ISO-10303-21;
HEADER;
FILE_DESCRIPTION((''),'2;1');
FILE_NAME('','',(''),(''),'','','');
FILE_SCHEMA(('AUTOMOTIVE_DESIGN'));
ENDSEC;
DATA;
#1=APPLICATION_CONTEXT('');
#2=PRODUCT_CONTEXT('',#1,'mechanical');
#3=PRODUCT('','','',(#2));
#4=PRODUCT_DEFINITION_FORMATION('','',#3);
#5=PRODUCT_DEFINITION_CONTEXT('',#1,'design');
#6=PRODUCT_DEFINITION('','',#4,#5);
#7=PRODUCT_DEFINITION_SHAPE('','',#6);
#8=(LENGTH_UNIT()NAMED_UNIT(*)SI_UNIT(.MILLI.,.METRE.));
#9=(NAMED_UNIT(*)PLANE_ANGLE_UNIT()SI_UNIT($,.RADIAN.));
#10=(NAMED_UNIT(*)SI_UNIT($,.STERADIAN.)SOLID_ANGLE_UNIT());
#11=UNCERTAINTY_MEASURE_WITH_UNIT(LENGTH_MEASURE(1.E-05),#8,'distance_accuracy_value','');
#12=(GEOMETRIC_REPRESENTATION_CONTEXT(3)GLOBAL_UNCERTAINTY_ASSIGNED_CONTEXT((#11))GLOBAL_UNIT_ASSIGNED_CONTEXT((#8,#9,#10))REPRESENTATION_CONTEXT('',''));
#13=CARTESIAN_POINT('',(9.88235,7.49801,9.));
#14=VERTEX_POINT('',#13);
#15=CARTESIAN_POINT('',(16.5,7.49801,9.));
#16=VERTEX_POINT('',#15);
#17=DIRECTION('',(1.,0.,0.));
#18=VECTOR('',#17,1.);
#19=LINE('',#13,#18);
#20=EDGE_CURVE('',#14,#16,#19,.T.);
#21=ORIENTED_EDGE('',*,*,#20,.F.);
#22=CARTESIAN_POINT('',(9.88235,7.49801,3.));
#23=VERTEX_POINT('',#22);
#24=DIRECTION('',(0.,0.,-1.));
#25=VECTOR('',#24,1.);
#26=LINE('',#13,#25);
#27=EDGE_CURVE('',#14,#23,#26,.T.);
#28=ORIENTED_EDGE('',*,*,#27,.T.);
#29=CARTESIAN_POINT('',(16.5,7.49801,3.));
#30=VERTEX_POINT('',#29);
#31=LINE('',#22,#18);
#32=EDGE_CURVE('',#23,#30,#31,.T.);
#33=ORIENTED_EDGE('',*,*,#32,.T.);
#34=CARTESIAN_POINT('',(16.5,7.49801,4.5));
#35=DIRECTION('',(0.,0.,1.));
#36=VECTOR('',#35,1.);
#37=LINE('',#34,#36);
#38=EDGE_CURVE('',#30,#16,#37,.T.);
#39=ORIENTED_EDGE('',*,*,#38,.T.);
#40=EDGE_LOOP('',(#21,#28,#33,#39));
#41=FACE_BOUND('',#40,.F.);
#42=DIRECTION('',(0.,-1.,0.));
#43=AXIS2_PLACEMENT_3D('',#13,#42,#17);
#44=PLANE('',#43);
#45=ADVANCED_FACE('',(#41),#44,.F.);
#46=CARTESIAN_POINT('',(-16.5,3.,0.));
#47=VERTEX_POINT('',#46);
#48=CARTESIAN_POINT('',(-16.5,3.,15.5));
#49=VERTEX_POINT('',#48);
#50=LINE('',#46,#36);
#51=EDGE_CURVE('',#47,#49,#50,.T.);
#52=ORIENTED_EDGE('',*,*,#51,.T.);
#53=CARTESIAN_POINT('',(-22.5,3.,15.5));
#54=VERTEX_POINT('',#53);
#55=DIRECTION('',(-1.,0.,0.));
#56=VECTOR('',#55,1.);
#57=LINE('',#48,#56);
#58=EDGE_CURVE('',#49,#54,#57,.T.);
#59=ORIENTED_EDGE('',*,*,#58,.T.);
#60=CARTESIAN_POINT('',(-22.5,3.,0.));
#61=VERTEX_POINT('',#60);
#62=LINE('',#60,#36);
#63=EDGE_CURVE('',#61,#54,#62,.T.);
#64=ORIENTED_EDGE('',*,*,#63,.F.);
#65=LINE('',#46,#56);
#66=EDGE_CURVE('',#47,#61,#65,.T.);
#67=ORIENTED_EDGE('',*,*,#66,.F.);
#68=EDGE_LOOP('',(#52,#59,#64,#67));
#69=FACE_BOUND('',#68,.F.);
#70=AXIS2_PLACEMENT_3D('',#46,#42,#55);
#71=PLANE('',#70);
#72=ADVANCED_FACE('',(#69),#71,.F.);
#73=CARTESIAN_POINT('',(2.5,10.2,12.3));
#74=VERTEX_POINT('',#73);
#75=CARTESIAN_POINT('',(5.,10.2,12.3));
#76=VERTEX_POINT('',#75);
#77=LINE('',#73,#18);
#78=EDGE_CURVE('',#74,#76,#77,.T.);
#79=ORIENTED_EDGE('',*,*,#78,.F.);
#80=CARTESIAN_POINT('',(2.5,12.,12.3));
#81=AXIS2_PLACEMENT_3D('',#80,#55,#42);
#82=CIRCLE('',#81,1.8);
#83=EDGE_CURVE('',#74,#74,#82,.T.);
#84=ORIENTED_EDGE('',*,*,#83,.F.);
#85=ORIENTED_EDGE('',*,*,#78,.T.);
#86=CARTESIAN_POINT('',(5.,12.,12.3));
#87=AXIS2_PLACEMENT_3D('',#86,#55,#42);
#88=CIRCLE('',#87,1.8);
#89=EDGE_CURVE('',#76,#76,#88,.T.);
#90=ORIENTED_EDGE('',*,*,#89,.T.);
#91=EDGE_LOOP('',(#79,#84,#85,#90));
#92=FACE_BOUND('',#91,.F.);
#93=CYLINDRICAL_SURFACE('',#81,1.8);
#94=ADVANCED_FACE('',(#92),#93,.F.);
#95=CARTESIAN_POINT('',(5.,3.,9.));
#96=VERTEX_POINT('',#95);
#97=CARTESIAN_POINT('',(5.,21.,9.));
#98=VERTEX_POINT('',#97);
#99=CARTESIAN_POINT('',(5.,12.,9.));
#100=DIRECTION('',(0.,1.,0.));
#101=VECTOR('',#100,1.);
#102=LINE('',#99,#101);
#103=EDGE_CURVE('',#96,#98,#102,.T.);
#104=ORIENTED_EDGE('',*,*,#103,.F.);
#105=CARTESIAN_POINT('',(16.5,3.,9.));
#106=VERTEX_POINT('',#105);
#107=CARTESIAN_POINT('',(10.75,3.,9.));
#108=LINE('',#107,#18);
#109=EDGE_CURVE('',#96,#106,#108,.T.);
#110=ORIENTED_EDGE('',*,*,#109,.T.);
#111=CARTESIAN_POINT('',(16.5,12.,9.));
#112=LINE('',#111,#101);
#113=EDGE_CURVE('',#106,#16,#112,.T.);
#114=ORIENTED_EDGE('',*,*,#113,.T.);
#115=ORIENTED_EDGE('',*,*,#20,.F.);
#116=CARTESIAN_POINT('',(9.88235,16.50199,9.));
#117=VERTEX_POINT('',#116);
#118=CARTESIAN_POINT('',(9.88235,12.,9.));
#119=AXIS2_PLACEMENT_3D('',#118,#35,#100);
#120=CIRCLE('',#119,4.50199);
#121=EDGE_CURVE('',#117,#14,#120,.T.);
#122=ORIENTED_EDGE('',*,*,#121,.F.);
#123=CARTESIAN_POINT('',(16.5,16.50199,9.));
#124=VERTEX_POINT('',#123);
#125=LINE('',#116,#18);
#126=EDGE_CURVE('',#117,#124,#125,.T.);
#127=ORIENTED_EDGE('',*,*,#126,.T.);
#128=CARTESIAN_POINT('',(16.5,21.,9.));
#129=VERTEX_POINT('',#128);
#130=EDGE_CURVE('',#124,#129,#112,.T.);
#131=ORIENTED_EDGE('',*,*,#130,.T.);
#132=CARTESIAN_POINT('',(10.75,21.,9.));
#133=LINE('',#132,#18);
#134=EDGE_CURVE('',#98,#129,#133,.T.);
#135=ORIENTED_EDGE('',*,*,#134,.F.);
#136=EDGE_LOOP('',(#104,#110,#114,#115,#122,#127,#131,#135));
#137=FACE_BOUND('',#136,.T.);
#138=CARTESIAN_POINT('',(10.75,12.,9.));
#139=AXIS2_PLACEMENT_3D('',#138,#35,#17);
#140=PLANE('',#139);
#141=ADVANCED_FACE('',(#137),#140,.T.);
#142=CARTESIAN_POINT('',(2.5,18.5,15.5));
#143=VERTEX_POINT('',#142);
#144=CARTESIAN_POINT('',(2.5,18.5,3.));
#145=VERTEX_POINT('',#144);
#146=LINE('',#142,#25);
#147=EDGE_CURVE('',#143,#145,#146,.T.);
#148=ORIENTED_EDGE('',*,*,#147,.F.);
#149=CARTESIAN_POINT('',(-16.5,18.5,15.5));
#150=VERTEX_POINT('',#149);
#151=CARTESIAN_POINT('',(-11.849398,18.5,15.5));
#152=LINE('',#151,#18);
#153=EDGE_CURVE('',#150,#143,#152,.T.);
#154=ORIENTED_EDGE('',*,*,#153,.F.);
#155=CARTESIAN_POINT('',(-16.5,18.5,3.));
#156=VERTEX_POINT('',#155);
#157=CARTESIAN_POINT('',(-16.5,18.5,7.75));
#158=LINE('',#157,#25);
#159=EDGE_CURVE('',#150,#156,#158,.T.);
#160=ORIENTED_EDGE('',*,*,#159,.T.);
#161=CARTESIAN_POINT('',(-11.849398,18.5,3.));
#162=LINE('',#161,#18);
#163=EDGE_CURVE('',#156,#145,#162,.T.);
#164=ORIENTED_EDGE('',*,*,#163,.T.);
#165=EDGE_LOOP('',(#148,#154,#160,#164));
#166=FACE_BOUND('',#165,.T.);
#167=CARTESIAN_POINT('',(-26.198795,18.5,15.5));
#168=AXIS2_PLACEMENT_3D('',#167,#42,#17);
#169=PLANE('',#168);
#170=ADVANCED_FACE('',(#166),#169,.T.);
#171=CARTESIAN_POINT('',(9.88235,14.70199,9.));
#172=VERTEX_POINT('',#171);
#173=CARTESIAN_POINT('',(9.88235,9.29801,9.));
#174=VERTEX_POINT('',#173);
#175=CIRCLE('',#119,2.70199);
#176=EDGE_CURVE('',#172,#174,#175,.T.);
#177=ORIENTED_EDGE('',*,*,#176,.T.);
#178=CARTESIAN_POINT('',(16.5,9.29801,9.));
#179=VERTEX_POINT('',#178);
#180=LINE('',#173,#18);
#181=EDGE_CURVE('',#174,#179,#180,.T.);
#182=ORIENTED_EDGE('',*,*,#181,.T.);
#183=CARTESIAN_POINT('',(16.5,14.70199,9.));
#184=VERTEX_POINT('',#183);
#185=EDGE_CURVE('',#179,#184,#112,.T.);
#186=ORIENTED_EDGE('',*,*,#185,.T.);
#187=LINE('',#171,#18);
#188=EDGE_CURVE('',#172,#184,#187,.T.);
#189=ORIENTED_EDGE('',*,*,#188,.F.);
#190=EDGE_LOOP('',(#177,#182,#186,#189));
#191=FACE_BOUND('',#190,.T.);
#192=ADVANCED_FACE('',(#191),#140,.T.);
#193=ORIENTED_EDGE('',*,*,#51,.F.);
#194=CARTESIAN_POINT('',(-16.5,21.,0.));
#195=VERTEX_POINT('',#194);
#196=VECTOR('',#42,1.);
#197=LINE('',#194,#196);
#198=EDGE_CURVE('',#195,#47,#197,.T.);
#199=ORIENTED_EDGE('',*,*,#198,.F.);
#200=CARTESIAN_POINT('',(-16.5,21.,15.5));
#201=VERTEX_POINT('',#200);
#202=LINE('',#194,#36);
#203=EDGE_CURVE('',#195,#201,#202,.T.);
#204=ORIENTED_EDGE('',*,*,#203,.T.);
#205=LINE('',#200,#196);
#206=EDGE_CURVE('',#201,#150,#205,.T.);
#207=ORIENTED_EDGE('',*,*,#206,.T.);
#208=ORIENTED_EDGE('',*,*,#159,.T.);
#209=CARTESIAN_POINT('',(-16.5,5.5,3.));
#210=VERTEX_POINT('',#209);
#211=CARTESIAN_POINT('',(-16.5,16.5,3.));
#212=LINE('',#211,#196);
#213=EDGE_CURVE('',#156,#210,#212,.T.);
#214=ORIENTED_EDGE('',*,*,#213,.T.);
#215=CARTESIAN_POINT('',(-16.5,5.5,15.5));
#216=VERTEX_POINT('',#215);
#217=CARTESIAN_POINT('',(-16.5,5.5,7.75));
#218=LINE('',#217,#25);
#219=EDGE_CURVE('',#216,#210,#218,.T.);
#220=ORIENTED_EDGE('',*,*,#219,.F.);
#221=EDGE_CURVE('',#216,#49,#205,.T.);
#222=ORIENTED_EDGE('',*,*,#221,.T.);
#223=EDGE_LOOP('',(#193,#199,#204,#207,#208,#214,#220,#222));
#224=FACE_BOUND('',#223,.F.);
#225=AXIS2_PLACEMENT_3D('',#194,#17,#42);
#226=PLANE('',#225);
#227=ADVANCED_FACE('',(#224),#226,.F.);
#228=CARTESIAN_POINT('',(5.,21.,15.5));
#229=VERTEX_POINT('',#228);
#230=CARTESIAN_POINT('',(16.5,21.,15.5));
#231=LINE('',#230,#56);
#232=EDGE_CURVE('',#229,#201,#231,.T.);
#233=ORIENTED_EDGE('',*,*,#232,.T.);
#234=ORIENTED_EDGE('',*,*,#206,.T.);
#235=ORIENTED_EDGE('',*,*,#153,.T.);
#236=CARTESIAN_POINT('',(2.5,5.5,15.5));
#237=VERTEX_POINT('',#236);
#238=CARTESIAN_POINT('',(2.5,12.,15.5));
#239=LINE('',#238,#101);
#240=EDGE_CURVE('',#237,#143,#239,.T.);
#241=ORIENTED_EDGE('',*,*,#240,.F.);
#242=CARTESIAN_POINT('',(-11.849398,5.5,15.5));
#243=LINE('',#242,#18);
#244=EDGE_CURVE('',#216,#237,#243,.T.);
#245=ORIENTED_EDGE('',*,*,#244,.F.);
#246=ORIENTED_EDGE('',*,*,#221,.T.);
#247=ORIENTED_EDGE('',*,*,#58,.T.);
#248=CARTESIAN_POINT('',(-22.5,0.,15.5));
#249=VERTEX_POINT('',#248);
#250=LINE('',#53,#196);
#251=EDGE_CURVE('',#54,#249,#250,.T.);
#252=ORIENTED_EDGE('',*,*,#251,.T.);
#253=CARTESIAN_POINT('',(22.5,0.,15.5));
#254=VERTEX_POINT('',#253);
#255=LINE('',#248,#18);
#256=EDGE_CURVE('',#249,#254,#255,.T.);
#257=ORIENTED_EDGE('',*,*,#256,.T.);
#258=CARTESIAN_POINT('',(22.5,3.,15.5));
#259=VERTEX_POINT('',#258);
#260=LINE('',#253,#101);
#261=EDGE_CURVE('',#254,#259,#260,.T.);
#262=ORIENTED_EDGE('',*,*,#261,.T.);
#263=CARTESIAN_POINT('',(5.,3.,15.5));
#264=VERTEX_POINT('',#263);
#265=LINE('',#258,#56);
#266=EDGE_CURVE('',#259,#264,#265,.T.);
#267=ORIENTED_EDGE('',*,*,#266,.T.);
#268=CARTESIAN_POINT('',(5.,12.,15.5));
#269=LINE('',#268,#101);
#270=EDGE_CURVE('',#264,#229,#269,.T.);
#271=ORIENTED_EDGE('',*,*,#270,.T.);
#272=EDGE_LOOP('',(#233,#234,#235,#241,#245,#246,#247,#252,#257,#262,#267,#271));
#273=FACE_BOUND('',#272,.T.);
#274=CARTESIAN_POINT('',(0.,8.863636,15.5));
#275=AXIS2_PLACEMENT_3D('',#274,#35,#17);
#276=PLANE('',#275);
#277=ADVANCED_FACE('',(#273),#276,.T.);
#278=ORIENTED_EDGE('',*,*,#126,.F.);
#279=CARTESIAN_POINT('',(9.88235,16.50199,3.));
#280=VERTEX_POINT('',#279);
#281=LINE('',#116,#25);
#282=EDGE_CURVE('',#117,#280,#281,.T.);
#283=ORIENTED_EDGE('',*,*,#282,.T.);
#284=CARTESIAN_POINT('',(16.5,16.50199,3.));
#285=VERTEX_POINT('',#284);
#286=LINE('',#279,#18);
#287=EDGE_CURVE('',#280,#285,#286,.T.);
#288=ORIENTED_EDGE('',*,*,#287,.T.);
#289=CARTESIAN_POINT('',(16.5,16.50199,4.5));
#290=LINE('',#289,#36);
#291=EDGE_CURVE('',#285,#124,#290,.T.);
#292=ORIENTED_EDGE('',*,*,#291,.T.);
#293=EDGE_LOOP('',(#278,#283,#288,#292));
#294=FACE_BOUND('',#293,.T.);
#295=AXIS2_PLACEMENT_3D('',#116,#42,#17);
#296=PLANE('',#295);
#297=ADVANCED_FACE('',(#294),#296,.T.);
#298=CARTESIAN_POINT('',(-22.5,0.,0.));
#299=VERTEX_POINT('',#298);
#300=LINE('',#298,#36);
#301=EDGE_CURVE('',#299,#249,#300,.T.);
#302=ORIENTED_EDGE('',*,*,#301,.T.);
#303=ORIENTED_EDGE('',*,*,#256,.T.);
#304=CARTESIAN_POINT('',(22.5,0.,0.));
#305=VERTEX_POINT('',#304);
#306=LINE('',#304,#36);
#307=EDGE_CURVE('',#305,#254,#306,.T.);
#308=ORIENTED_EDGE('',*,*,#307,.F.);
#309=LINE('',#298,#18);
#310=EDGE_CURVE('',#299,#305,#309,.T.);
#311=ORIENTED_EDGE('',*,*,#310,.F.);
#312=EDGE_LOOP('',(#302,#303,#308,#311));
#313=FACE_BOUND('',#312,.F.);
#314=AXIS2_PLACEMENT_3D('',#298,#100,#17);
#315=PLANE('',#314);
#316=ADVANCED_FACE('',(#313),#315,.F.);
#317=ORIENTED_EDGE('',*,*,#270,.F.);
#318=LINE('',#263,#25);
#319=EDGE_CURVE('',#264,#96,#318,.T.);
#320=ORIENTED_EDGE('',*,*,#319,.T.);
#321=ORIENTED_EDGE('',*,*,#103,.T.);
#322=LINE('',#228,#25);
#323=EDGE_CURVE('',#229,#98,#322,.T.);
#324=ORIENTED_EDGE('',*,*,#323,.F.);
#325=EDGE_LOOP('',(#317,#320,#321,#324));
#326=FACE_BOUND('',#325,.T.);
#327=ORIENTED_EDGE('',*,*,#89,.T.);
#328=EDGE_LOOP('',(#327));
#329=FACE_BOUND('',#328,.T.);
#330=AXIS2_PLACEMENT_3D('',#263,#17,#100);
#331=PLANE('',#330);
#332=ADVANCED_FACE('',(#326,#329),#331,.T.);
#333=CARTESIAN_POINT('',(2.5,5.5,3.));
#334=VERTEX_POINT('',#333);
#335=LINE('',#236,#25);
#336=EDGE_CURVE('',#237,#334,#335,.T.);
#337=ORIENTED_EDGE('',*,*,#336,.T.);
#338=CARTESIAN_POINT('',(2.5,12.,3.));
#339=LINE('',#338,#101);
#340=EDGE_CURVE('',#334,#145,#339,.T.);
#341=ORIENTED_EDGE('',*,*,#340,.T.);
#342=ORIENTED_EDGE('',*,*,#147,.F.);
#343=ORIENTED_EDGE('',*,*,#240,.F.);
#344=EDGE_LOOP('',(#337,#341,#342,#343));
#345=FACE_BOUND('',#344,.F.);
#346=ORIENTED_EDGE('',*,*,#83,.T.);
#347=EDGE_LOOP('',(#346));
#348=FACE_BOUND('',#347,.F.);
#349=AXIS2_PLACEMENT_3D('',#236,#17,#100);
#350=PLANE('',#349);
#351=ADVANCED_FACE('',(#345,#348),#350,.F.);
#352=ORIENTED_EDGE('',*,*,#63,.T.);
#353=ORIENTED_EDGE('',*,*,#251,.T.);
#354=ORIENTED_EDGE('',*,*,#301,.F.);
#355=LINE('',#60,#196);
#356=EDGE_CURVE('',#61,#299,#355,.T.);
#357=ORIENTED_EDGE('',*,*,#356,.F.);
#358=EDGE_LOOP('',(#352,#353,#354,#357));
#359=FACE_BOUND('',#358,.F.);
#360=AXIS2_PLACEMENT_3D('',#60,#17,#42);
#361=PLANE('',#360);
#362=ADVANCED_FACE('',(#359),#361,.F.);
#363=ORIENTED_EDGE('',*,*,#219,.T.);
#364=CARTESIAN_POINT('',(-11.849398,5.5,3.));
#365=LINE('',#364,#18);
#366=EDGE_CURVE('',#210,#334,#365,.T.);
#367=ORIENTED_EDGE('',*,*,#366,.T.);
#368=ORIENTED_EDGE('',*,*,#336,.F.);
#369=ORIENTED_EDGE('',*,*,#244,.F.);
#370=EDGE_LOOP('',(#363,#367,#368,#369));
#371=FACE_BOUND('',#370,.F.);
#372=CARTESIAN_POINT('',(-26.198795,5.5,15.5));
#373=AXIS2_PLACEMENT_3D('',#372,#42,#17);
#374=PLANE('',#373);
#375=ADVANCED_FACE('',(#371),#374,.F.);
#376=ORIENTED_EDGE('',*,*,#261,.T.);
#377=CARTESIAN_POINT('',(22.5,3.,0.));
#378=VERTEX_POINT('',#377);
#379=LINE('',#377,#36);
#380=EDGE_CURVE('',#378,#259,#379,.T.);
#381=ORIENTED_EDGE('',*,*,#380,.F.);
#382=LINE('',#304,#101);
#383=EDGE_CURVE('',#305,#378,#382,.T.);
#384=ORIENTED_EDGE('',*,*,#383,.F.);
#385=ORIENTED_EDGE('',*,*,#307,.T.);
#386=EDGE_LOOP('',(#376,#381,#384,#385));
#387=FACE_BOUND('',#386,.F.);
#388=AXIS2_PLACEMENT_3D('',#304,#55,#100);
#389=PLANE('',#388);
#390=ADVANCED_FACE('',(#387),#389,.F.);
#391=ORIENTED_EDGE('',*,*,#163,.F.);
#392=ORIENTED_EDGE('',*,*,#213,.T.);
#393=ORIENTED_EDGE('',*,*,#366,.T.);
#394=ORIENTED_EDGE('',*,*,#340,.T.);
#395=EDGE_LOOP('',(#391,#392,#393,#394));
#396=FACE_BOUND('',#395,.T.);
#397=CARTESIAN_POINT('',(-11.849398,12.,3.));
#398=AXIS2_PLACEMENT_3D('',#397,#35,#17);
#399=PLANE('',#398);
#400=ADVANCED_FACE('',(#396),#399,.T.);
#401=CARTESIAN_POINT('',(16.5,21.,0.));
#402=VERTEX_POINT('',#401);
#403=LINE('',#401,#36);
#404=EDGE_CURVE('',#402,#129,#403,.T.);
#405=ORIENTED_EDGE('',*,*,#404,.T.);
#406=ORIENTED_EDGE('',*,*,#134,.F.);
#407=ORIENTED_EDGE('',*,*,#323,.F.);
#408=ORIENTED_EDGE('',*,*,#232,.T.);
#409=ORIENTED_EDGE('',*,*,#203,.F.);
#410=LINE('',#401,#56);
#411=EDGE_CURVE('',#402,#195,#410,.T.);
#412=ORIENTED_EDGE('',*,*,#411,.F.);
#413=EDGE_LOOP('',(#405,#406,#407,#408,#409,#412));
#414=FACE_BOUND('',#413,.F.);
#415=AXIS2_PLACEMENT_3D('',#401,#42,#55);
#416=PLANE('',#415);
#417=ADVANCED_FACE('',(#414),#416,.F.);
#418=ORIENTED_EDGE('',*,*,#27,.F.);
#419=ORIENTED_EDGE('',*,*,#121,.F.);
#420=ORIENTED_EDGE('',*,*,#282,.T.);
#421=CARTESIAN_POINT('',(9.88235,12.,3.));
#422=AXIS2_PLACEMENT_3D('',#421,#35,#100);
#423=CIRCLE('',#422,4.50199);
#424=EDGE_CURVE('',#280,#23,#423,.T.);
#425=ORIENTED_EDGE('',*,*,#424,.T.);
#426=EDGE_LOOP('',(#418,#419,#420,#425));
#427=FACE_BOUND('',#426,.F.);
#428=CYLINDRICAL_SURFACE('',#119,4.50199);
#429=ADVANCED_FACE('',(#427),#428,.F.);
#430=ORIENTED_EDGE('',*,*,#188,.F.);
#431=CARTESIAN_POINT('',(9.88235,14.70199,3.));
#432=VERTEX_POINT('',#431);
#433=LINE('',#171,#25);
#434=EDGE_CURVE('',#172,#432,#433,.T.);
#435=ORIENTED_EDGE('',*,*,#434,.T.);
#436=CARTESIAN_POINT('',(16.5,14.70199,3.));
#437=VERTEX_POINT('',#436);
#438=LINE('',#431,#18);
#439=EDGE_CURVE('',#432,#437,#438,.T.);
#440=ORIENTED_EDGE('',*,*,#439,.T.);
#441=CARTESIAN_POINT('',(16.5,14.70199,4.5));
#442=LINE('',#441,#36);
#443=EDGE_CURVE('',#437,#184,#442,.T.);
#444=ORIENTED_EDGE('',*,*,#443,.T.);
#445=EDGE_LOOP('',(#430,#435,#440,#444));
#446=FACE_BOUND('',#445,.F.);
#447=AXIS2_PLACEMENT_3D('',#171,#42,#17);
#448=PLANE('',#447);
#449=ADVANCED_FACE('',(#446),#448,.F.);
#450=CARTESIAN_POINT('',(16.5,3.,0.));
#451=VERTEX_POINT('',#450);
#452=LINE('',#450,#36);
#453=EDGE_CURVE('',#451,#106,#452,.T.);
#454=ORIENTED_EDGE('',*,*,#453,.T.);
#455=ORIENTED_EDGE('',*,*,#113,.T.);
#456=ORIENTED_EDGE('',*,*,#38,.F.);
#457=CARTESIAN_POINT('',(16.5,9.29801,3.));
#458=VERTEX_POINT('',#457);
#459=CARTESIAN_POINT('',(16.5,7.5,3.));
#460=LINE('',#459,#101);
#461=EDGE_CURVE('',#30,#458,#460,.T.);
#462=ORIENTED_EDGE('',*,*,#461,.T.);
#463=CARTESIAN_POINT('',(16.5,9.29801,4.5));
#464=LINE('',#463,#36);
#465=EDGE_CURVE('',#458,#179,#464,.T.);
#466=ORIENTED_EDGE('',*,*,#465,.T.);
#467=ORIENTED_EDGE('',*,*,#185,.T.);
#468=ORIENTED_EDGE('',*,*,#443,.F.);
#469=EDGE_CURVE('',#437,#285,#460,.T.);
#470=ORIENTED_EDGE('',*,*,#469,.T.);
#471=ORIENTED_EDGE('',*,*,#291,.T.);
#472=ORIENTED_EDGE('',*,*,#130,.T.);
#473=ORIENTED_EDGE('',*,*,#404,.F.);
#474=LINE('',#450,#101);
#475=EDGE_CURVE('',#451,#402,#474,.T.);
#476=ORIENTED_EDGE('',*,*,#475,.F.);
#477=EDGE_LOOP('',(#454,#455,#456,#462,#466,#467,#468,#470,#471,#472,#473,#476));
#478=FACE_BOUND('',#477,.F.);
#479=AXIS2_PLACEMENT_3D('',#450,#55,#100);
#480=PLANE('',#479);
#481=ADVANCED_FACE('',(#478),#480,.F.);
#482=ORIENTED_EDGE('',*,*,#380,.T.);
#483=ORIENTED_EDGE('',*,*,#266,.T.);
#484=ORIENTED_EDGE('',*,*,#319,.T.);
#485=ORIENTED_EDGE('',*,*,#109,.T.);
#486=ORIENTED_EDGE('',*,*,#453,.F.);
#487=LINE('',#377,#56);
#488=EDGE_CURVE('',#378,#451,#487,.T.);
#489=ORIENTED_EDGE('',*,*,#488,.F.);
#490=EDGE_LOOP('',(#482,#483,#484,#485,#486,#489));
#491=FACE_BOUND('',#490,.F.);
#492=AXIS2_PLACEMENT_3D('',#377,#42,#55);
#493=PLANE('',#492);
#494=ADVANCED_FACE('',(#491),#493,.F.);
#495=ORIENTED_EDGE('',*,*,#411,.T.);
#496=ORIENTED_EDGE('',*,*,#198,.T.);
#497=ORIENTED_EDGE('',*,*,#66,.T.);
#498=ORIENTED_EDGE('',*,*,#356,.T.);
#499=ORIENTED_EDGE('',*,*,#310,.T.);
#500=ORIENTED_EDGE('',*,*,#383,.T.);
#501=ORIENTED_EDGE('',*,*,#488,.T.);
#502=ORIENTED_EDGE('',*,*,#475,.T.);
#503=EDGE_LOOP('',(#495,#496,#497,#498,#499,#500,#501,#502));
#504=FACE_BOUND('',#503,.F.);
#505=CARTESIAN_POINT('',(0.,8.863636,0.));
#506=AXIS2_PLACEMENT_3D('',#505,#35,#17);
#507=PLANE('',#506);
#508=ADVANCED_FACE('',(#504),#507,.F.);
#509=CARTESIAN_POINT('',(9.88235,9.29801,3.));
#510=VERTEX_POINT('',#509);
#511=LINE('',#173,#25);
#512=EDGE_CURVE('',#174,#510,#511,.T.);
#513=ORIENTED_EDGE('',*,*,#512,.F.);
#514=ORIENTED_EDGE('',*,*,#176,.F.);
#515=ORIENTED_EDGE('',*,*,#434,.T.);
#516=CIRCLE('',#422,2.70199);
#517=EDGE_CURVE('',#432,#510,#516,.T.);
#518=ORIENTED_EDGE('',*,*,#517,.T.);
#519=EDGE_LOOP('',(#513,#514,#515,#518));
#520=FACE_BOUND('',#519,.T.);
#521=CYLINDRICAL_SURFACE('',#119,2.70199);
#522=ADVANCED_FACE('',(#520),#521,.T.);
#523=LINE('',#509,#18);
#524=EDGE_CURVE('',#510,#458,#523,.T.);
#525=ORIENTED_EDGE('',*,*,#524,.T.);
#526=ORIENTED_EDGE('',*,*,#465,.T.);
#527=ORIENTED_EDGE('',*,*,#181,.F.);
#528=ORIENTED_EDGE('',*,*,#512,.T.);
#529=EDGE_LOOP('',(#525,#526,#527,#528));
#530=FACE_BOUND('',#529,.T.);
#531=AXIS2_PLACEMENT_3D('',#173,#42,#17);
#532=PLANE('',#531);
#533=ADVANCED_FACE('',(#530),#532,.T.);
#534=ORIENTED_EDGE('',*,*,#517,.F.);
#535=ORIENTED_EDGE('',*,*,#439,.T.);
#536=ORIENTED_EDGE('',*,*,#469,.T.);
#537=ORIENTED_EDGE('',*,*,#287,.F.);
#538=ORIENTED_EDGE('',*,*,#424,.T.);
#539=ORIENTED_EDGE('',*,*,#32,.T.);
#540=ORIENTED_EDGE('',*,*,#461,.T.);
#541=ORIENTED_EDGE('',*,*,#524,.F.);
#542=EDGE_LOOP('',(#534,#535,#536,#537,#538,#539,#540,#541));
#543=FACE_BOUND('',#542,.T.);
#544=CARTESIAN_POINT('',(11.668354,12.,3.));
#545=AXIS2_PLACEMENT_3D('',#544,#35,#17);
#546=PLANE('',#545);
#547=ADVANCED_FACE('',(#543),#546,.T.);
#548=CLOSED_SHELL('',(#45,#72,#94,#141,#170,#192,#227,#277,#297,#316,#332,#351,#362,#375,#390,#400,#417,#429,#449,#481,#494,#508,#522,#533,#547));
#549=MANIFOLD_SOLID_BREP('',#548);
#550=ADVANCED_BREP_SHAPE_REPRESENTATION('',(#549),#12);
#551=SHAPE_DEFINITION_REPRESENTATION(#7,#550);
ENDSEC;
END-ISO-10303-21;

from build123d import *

# Parameters (mm, degrees)
PAD_DEPTH       = 15.5
SKETCH001_W     = 11.5
SKETCH001_H     = 18
POCKET_DEPTH    = 6.5
SKETCH002_W     = 28.698795
SKETCH002_H     = 13
POCKET001_DEPTH = 12.5
SKETCH003_R     = 1.8
POCKET002_DEPTH = 2.5
POCKET003_DEPTH = 6


with BuildPart() as part:
    # Sketch → Pad (new body)
    with BuildSketch(Plane.XY):
        Polygon((-16.5, 3), (-22.5, 3), (-22.5, 0), (22.5, 0), (22.5, 3), (16.5, 3), (16.5, 21), (-16.5, 21), align=None)
    extrude(amount=PAD_DEPTH)

    # Sketch001 → Pocket (cut)
    with BuildSketch(Plane.XY.offset(15.5)):
        with Locations((10.75, 12)):
            Rectangle(SKETCH001_W, SKETCH001_H)
    extrude(amount=-POCKET_DEPTH, mode=Mode.SUBTRACT)

    # Sketch002 → Pocket001 (cut)
    with BuildSketch(Plane.XY.offset(15.5)):
        with Locations((-11.8493975, 12)):
            Rectangle(SKETCH002_W, SKETCH002_H)
    extrude(amount=-POCKET001_DEPTH, mode=Mode.SUBTRACT)

    # Sketch003 → Pocket002 (cut)
    with BuildSketch(Plane(origin=(2.5, 0, 0), x_dir=(0, -1, 0), z_dir=(-1, 0, 0))):
        with Locations((-12, 12.3)):
            Circle(SKETCH003_R)
    extrude(amount=-POCKET002_DEPTH, mode=Mode.SUBTRACT)

    # Sketch004 → Pocket003 (cut)
    with BuildSketch(Plane.XY.offset(9)):
        with BuildLine():
            ThreePointArc((9.8823500905, 16.5019904992), (5.3803595914, 12), (9.8823500905, 7.4980095008))
            Line((9.8823500905, 7.4980095008), (17.636722355, 7.4980095008))
            Line((17.636722355, 9.2980095008), (17.636722355, 7.4980095008))
            Line((9.8823500905, 9.2980095008), (17.636722355, 9.2980095008))
            ThreePointArc((9.8823500905, 14.7019904992), (7.1803595914, 12), (9.8823500905, 9.2980095008))
            Line((9.8823500905, 14.7019904992), (17.636722355, 14.7019904992))
            Line((17.636722355, 16.5019904992), (17.636722355, 14.7019904992))
            Line((9.8823500905, 16.5019904992), (17.636722355, 16.5019904992))
        make_face()
    extrude(amount=-POCKET003_DEPTH, mode=Mode.SUBTRACT)


solid = part.part
